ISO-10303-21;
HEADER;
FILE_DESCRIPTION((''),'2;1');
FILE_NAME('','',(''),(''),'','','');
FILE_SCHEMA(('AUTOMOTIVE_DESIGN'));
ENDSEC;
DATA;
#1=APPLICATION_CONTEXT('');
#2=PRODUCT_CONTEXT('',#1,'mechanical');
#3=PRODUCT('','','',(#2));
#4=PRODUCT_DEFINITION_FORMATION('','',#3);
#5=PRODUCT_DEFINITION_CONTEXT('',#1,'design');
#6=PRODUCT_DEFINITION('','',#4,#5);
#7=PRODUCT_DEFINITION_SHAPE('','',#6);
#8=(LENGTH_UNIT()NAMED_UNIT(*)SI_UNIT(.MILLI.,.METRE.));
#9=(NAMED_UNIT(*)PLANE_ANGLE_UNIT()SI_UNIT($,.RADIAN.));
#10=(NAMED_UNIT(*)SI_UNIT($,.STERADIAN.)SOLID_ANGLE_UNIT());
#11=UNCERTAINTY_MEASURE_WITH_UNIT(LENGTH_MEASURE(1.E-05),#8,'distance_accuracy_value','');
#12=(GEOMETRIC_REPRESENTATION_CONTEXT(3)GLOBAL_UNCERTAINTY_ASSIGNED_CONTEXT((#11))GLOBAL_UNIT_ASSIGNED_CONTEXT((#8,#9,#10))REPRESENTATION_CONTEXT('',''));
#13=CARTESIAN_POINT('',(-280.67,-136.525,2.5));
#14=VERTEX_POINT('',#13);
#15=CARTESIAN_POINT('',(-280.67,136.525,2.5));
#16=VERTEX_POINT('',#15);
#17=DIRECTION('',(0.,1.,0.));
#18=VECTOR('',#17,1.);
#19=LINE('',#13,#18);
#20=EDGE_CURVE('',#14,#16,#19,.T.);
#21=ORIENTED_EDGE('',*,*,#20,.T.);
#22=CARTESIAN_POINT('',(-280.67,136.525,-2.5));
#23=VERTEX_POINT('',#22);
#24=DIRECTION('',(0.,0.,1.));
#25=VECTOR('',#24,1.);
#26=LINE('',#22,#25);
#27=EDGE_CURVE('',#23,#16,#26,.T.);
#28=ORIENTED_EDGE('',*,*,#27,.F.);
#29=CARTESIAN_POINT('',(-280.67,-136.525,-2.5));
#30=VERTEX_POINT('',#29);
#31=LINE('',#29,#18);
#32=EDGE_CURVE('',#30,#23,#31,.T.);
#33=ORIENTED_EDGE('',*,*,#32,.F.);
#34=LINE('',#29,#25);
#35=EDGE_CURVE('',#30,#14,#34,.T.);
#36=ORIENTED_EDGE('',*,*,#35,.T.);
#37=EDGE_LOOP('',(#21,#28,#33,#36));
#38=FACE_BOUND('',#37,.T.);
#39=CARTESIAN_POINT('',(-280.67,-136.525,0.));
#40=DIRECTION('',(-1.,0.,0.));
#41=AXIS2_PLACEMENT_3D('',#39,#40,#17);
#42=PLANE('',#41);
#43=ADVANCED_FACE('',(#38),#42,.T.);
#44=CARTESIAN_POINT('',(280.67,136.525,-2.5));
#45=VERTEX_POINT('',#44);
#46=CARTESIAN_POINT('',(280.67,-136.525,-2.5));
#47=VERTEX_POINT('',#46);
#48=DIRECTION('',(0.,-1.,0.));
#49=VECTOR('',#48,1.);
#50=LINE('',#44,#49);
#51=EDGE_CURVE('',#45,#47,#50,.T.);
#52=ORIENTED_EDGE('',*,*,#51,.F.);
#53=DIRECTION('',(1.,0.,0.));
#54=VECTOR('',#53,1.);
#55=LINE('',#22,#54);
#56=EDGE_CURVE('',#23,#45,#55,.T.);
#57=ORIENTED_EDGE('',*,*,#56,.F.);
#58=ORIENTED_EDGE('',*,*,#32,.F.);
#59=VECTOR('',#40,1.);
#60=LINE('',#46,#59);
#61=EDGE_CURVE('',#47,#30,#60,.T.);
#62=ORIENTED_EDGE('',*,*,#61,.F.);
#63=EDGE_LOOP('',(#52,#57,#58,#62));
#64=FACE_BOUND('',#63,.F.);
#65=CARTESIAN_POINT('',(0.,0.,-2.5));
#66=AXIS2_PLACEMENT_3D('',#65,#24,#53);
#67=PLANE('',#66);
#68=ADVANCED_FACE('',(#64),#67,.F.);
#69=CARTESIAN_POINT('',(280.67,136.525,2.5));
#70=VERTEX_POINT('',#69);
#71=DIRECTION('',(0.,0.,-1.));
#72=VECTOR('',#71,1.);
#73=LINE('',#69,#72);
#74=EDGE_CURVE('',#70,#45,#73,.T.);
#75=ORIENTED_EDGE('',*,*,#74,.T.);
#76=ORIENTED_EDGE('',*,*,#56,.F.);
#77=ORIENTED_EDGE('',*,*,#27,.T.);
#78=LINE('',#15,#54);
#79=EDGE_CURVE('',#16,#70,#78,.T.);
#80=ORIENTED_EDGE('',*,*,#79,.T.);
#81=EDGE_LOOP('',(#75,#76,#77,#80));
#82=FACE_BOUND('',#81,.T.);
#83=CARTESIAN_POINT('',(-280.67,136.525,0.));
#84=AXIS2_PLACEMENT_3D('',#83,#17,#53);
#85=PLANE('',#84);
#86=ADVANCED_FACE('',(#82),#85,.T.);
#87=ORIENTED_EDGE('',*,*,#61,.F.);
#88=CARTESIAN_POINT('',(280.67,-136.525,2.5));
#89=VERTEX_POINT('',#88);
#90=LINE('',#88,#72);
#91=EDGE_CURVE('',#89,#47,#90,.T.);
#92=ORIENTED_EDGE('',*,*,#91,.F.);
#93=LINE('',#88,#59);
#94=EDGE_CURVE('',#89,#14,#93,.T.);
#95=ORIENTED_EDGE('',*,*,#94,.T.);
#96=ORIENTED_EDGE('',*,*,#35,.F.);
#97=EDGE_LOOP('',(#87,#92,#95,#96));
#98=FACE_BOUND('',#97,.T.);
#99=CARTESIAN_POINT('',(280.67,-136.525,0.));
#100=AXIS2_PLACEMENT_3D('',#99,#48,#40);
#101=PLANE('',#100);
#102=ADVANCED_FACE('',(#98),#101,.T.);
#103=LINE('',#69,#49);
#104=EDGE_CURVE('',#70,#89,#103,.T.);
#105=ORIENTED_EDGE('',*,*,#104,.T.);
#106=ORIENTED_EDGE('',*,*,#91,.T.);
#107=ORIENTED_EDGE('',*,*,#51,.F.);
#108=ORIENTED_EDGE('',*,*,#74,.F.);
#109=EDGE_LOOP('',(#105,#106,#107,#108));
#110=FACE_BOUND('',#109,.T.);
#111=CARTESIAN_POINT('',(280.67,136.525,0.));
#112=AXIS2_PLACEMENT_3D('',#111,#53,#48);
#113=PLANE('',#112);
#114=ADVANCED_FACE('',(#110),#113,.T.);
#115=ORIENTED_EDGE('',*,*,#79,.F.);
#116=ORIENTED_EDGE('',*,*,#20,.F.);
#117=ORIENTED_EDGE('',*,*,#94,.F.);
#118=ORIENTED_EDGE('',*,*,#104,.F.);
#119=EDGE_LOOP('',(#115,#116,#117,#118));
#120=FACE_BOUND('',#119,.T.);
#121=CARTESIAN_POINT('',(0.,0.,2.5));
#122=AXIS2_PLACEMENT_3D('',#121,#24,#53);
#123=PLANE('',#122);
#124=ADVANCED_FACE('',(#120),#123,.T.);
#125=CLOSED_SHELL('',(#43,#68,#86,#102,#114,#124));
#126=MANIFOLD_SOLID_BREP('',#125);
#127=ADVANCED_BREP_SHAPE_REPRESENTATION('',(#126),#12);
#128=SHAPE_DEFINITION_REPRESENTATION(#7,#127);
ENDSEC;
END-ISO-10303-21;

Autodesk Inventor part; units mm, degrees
ref_plane "YZ Plane" through (0, 0, 0) normal (1, 0, 0) x (0, 1, 0)
ref_plane "XZ Plane" through (0, 0, 0) normal (0, 1, 0) x (-1, 0, 0)
ref_plane "XY Plane" through (0, 0, 0) normal (0, 0, 1) x (1, 0, 0)
sketch "Sketch1" plane through (0, 0, 0) normal (0, 0, 1) x (1, 0, 0)
  line L0 (-280.67, 136.525) -> (280.67, 136.525)
  line L1 (280.67, 136.525) -> (280.67, -136.525)
  line L2 (280.67, -136.525) -> (-280.67, -136.525)
  line L3 (-280.67, -136.525) -> (-280.67, 136.525)
  point P0 (0, 0)
  dimension "d0" = 561.34
  dimension "d1" = 273.05
  dimension "d2" = 280.67
  dimension "d3" = 136.525
extrude "Extrusion1" add sketch "Sketch1" along normal mid plane 5
equation "\"d2\" = 0.5 * d0"
equation "\"d3\" = 0.5 * d1"
